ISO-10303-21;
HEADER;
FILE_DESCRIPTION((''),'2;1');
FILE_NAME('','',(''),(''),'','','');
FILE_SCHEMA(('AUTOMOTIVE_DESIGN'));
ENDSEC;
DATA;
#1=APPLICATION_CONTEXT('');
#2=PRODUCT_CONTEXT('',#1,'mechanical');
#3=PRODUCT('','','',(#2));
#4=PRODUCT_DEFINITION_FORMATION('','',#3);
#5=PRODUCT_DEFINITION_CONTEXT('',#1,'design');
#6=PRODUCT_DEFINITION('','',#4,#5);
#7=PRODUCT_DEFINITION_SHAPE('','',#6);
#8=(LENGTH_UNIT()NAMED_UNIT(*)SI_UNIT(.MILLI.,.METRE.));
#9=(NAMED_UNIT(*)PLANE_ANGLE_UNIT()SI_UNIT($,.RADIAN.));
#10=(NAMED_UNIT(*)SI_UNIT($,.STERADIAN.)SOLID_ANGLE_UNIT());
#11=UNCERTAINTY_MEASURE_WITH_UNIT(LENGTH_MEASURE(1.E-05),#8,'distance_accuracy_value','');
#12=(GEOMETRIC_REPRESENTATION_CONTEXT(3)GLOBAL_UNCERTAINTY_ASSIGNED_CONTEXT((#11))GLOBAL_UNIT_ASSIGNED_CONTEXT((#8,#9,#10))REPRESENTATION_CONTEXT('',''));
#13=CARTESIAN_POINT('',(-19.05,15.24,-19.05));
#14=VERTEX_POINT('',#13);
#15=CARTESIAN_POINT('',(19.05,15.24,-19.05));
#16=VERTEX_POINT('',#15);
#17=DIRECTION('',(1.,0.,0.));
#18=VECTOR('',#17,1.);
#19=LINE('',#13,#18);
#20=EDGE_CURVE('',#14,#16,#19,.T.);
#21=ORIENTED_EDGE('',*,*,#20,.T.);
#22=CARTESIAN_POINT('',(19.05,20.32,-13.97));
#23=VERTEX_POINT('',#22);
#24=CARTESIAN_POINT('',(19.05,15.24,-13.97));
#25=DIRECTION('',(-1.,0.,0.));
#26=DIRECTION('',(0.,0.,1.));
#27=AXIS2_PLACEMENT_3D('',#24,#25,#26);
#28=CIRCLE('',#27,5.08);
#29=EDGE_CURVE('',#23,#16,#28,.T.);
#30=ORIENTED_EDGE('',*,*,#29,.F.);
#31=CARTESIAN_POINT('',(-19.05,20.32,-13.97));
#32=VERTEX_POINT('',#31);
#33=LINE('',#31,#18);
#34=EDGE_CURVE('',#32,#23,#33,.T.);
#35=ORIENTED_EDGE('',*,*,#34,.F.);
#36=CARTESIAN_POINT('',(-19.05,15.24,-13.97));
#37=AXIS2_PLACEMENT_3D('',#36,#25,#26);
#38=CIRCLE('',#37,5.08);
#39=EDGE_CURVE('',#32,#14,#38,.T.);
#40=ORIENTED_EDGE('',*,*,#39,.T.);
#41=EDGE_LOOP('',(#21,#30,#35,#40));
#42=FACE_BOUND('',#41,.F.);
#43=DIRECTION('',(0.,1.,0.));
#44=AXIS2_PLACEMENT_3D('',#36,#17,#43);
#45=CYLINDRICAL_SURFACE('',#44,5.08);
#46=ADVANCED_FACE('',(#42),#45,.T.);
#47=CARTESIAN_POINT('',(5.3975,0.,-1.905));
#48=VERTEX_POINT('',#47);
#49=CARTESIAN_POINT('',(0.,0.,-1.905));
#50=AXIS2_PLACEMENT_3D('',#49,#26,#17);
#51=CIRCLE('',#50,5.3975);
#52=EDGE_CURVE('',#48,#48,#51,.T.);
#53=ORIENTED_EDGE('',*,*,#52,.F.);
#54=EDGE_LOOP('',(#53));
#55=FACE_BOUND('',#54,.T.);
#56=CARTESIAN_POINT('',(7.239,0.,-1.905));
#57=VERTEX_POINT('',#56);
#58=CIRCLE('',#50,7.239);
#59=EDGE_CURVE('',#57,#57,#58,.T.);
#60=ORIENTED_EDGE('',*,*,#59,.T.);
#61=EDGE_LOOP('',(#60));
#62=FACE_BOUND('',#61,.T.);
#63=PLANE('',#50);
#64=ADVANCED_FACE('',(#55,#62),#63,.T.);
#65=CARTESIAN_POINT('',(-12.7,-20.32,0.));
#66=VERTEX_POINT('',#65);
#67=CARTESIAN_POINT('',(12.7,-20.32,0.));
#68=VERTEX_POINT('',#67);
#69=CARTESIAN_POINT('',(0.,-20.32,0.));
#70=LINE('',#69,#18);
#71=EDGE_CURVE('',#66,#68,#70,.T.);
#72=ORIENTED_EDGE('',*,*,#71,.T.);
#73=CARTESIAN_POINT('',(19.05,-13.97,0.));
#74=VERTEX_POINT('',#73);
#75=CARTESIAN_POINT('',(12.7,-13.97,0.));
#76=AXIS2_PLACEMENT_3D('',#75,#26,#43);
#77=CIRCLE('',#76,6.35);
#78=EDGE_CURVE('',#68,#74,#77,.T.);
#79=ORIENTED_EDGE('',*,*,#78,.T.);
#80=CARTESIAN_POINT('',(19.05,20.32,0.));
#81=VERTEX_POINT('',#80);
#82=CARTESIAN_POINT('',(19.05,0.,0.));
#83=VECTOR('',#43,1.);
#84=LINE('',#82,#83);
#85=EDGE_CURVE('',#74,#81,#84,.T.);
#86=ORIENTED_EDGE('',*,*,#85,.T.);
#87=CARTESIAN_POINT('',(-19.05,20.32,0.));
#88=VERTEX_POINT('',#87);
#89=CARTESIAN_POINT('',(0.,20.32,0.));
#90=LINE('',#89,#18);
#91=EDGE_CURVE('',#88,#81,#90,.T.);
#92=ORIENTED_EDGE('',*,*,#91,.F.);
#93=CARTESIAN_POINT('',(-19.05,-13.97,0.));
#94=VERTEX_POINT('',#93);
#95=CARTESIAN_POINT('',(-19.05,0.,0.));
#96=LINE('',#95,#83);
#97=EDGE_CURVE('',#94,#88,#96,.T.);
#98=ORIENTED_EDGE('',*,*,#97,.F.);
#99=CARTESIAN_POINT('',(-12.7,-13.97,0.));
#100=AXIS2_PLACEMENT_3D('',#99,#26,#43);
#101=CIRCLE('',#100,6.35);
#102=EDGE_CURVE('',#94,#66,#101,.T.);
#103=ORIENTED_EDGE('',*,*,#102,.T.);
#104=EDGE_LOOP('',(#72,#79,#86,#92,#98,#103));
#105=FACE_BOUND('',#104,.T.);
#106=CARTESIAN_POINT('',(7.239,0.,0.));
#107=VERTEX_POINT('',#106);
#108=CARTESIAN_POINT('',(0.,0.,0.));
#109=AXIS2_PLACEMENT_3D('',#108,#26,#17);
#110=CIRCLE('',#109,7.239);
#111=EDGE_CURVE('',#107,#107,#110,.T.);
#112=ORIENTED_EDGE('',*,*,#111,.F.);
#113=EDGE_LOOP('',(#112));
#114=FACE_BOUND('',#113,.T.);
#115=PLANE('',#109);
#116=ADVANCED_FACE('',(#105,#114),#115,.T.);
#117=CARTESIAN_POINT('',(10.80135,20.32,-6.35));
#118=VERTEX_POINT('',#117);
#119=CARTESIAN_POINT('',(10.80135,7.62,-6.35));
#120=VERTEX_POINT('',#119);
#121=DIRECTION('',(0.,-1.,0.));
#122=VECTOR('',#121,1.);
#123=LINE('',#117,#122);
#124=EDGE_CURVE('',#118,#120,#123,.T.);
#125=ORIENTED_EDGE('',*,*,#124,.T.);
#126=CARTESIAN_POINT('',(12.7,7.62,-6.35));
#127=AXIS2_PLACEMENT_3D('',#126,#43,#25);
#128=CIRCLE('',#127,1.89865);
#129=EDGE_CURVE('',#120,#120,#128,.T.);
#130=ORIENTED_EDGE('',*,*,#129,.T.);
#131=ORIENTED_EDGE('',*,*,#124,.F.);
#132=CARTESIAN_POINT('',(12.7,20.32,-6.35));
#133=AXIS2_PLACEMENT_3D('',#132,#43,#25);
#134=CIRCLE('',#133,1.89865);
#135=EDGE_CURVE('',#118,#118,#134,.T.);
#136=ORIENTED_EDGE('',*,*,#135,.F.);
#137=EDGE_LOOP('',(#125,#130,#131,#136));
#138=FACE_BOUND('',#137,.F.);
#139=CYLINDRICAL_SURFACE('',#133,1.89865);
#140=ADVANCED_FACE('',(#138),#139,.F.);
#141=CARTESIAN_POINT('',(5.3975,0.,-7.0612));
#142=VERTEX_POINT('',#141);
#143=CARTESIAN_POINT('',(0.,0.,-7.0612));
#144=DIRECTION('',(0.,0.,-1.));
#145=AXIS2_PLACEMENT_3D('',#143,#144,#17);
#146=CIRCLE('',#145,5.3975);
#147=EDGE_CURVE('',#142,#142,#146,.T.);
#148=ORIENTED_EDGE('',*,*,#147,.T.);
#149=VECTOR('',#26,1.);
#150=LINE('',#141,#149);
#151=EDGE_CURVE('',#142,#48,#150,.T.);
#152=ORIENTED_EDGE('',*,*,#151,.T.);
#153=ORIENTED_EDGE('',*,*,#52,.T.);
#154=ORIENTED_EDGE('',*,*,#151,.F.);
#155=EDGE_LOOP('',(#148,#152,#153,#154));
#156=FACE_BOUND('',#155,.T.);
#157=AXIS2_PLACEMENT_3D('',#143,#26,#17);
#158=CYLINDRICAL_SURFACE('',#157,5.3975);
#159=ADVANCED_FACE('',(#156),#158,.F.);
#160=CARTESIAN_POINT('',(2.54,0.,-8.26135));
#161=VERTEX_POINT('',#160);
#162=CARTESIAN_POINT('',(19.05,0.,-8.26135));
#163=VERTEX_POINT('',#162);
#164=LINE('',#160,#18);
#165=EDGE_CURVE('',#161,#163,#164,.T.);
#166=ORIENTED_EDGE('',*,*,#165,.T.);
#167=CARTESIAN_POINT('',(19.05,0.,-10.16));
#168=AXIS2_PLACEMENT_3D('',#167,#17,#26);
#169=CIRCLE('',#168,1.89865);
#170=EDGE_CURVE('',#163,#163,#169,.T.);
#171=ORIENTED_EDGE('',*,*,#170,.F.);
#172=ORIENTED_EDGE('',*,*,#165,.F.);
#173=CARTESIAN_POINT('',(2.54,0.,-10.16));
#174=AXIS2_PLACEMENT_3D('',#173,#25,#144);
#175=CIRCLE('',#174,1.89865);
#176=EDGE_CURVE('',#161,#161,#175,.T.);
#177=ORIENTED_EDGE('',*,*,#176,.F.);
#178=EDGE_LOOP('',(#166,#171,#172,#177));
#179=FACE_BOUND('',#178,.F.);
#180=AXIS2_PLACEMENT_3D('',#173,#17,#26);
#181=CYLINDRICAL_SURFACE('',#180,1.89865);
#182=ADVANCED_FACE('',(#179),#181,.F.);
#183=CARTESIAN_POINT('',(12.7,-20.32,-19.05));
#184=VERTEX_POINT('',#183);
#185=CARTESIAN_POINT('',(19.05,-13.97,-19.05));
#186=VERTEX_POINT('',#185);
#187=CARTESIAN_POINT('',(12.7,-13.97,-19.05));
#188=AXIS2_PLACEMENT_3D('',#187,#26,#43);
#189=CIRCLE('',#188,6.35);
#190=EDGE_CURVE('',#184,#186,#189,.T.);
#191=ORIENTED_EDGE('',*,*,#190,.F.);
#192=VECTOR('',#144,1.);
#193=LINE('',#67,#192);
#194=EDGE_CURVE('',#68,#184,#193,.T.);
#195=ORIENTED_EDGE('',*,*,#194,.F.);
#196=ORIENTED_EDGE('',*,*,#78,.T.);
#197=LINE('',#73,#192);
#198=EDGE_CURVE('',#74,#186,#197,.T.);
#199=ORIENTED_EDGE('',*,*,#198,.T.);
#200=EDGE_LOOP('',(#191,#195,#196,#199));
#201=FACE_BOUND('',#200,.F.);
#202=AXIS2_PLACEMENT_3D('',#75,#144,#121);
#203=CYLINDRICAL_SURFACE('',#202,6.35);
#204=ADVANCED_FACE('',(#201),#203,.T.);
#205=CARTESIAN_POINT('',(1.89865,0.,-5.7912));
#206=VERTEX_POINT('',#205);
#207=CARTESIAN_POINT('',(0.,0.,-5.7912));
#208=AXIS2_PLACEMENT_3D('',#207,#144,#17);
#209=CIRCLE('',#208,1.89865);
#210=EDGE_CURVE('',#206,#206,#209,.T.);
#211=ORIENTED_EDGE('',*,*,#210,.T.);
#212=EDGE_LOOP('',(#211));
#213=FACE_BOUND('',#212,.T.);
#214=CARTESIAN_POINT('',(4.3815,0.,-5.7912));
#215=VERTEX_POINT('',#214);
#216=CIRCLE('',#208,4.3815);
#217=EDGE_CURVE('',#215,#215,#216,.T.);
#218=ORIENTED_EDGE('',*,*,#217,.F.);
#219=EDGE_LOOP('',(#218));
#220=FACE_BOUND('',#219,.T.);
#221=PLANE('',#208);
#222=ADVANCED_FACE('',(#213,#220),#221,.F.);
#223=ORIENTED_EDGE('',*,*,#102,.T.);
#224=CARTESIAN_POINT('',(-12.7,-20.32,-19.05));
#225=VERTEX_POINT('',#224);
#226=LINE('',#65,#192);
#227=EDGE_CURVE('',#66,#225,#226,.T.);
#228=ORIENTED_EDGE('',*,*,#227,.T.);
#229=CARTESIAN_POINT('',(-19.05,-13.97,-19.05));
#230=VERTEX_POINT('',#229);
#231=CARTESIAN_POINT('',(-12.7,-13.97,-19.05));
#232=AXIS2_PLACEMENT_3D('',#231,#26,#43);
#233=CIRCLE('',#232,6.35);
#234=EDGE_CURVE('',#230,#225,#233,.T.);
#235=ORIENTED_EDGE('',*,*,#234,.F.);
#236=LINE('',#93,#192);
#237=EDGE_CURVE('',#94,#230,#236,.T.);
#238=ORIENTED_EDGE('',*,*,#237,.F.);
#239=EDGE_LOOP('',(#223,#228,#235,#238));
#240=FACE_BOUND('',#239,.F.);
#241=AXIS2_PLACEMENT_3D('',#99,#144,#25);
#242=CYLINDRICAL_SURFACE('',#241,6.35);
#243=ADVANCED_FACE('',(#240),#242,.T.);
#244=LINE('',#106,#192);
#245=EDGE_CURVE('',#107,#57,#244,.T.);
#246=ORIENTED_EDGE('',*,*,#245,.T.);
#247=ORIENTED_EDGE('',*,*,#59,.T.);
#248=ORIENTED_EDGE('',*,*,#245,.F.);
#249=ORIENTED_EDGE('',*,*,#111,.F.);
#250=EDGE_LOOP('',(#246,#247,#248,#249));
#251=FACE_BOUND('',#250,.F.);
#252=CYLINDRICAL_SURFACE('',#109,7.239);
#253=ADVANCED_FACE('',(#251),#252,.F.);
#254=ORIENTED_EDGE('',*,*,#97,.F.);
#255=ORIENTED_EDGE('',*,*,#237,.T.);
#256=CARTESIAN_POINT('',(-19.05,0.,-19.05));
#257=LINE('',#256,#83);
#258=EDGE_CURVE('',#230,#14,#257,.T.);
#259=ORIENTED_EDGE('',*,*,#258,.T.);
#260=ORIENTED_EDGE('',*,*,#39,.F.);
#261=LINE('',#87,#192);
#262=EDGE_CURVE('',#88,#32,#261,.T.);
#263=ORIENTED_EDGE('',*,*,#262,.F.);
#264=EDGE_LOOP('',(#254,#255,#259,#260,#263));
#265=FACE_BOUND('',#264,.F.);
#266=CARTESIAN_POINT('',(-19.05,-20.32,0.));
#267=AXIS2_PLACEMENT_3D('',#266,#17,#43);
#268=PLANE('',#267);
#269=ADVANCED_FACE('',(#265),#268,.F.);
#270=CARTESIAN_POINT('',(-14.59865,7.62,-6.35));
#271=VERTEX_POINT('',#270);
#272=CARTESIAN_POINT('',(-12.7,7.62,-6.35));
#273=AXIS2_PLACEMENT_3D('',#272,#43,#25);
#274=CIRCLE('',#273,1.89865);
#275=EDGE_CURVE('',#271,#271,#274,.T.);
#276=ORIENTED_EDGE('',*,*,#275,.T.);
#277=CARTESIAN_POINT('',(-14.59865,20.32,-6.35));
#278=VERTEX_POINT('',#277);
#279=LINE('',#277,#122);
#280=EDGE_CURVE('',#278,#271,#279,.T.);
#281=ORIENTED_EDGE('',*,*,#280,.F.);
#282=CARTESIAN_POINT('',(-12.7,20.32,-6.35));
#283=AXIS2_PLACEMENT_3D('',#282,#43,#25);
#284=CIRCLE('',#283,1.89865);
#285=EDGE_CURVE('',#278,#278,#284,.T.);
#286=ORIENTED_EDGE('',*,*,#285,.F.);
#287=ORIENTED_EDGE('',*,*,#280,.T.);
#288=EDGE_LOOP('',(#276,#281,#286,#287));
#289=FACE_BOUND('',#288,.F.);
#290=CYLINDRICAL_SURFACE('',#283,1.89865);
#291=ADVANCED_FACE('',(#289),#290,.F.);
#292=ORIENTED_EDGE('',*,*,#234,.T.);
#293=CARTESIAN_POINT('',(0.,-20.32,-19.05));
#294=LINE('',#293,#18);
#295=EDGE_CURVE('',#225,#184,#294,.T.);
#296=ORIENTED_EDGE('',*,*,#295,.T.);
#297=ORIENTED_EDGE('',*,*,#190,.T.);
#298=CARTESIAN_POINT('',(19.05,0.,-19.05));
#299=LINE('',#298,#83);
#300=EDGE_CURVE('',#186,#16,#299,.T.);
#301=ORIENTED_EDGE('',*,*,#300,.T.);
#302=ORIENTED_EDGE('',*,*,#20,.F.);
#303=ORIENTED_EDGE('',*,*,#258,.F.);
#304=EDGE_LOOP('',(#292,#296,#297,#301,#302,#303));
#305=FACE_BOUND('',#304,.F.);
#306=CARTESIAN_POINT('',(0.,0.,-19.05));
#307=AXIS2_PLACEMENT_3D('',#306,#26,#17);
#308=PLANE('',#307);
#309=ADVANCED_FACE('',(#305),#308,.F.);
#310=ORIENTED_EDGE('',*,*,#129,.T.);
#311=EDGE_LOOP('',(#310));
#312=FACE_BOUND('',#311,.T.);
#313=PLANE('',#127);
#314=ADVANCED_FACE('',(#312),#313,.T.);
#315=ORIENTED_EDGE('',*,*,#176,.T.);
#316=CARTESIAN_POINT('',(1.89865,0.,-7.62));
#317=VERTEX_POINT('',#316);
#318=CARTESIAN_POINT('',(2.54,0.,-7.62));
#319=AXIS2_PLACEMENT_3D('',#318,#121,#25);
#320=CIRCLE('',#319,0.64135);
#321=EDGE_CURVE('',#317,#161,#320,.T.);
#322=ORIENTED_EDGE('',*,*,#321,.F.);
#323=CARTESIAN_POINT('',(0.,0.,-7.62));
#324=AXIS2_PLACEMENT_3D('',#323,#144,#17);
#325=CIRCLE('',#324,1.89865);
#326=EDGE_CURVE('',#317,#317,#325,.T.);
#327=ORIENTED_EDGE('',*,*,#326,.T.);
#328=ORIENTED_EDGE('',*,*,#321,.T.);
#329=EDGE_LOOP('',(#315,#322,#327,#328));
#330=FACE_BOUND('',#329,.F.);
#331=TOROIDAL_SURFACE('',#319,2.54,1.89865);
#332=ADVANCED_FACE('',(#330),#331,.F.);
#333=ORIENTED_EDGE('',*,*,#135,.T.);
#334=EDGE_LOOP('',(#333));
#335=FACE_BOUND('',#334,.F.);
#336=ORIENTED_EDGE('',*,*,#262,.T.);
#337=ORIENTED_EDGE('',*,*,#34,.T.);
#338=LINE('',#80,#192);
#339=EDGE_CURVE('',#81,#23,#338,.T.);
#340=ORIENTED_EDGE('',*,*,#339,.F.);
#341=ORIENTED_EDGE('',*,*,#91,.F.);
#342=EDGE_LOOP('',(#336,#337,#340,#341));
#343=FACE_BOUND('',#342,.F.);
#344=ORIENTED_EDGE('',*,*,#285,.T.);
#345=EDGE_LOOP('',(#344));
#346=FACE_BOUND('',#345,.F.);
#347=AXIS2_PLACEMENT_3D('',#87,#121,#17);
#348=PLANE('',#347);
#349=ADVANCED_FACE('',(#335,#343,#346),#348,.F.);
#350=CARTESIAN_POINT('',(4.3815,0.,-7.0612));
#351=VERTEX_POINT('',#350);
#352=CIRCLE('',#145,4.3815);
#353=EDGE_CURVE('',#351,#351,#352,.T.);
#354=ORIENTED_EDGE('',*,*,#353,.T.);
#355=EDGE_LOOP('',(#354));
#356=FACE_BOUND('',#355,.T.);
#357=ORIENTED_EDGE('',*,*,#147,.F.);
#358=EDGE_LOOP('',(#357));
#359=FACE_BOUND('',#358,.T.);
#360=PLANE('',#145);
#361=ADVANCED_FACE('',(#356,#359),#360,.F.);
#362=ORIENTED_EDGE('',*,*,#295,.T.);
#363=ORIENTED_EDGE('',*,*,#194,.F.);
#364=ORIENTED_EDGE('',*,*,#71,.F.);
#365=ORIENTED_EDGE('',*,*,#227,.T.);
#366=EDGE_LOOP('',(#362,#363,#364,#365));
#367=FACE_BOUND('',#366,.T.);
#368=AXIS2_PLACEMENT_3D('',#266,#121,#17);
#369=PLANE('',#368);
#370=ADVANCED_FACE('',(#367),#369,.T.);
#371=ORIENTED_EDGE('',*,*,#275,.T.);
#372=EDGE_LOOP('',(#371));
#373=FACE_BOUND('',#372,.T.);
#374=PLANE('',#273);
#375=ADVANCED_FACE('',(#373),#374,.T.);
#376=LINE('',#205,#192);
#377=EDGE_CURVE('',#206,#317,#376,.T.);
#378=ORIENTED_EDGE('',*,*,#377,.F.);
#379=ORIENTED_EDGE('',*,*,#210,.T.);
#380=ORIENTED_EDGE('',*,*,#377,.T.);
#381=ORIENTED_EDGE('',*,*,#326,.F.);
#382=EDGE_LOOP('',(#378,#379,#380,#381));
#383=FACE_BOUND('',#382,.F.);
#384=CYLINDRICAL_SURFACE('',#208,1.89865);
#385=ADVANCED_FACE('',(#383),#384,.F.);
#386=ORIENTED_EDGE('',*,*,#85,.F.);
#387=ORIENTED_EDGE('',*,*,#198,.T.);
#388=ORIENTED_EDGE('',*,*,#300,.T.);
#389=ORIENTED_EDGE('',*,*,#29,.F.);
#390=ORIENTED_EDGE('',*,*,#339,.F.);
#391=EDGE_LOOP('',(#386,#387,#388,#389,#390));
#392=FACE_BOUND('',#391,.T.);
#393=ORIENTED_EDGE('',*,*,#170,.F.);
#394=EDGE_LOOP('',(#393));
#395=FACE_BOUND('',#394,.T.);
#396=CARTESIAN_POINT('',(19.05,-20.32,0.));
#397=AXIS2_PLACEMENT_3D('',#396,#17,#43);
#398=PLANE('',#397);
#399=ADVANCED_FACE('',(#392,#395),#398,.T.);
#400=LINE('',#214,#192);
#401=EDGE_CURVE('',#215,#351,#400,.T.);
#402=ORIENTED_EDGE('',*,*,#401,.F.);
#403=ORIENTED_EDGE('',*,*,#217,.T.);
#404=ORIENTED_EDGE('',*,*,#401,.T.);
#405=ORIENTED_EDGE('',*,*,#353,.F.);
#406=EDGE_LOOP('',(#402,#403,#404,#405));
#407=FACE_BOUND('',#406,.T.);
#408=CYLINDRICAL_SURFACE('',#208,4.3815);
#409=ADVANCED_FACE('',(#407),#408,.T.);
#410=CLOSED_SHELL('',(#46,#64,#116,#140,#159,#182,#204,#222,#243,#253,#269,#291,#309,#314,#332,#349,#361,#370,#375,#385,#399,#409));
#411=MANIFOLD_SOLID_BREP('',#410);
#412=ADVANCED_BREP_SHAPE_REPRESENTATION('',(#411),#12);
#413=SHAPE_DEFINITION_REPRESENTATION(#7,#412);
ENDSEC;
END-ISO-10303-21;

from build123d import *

# Parameters (mm, degrees)
F0_W      = 38.1
F0_H      = 40.64
F1_DEPTH  = 19.05
F4_R      = 7.239
F5_DEPTH  = 1.905
F6_R      = 6.35
F8_R      = 1.89865
F10_R     = 1.89865
F11_DEPTH = 12.7
F12_R     = 5.08


with BuildPart() as f1:
    # F0 (on Top) → F1 (new body)
    with BuildSketch(Plane.XY):
        Rectangle(F0_W, F0_H)
    extrude(amount=-F1_DEPTH)

    # F2 (on Front) → F3 (revolve, cut)
    with BuildSketch(Plane.XZ):
        Polygon((5.3975, 0), (0, 0), (0, -5.7912), (4.3815, -5.7912), (4.3815, -7.0612), (5.3975, -7.0612), align=None)
    revolve(axis=Axis((0, 0, -9.525), (0, 0, -1)), mode=Mode.SUBTRACT)

    # F4 (on face) → F5 (cut)
    with BuildSketch(Plane.XY):
        Circle(F4_R)
    extrude(amount=-F5_DEPTH, mode=Mode.SUBTRACT)

    # F6
    f6_edges = [f1.edges().sort_by_distance(p)[0] for p in [
        (-19.05, -20.32, -9.525),
        (19.05, -20.32, -9.525),
    ]]
    fillet(f6_edges, radius=F6_R)

    # F9: sweep along a path in F7
    with BuildLine(Plane.XZ) as f9_path:
        Line((0, -5.7912), (0, -7.62))
        ThreePointArc((0, -7.62), (0.7439487758, -9.4160512242), (2.54, -10.16))
        Line((2.54, -10.16), (19.05, -10.16))
    # F8 (on face) → F9 (sweep, cut)
    with BuildSketch(Plane.XY.offset(-5.7912)):
        Circle(F8_R)
    sweep(path=f9_path.line, mode=Mode.SUBTRACT)

    # F10 (on face) → F11 (cut)
    with BuildSketch(Plane(origin=(0, 20.32, 0), x_dir=(-1, 0, 0), z_dir=(0, 1, 0))):
        with Locations((-12.7, -6.35)):
            Circle(F10_R)
        with Locations((12.7, -6.35)):
            Circle(F10_R)
    extrude(amount=-F11_DEPTH, mode=Mode.SUBTRACT)

    # F12
    f12_edges = [f1.edges().sort_by_distance(p)[0] for p in [
        (0, 20.32, -19.05),
    ]]
    fillet(f12_edges, radius=F12_R)


solid = f1.part
